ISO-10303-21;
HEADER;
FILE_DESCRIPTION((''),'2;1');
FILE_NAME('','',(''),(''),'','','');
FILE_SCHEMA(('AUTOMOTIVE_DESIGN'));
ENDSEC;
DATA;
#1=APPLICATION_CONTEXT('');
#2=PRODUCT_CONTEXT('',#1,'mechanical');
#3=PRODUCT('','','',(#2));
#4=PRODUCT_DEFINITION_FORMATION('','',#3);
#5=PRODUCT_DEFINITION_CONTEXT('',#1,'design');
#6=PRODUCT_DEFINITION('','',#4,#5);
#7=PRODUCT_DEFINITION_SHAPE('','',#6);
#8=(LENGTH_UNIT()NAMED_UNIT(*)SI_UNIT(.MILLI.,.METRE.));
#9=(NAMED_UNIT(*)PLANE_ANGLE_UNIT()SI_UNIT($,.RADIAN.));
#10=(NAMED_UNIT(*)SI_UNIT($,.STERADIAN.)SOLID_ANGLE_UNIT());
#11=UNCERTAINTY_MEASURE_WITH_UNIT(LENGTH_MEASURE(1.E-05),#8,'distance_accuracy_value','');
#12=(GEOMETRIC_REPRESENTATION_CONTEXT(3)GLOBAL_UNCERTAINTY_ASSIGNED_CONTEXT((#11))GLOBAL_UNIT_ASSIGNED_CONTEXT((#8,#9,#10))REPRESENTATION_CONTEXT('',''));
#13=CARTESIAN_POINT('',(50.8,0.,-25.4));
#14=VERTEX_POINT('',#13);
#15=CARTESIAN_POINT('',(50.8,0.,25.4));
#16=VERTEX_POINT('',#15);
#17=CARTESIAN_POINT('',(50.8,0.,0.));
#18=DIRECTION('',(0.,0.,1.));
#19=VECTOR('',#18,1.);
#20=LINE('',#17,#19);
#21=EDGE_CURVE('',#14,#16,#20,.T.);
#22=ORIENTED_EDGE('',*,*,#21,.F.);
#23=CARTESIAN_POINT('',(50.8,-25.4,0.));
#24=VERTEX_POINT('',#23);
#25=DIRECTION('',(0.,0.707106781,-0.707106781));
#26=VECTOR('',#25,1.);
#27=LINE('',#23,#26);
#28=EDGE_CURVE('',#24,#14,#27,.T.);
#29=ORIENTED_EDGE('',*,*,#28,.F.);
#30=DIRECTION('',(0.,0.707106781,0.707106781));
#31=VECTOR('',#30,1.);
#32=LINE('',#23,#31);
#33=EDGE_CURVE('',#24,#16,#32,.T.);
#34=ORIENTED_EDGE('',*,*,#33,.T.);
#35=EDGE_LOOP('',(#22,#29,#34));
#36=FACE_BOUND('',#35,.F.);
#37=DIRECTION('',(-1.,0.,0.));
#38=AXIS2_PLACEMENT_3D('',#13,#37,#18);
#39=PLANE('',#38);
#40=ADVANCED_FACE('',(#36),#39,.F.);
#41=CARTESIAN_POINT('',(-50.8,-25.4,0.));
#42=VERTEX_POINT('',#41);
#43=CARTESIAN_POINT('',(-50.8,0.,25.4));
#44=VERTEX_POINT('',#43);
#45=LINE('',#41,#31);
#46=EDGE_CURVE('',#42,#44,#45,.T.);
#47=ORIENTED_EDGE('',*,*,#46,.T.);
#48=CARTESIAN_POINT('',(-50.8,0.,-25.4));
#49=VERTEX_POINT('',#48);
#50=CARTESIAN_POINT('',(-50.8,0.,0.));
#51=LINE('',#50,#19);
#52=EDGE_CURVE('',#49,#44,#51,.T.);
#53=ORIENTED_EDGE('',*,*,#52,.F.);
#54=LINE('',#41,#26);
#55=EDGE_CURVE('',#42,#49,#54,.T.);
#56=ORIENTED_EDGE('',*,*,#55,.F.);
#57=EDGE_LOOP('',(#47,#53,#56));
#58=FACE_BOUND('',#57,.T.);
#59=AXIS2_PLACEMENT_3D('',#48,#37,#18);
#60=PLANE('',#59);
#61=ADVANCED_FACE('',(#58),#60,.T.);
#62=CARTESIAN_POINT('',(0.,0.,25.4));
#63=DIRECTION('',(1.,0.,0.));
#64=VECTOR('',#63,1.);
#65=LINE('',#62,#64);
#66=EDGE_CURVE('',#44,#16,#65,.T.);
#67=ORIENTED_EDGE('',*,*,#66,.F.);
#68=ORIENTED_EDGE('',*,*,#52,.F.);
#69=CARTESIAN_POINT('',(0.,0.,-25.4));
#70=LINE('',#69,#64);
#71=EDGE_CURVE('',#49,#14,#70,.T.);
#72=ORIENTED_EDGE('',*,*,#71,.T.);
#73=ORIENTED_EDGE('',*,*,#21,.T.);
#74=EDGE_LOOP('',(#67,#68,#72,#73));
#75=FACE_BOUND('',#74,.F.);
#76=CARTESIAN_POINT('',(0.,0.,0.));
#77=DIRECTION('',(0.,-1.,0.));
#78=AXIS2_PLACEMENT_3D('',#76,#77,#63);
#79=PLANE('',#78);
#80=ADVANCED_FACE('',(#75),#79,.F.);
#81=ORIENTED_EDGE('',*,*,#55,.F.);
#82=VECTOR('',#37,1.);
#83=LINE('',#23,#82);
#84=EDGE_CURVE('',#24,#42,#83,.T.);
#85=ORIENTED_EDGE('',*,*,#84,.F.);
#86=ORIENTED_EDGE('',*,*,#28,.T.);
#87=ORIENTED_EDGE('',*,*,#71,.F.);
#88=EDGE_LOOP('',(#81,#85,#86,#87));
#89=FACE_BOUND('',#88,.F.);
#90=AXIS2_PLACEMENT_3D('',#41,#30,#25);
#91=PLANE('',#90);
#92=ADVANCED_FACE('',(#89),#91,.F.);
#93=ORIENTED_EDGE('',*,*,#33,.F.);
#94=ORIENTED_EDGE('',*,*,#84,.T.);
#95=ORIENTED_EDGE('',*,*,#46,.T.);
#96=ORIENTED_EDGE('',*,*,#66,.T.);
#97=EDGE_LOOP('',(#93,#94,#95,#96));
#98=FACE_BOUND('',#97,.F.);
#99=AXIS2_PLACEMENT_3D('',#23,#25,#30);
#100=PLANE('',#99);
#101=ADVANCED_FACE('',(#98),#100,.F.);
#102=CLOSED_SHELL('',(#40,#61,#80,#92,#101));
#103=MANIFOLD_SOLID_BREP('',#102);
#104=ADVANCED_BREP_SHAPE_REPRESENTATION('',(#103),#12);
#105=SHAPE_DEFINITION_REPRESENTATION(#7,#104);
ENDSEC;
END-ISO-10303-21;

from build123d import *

# Parameters (mm, degrees)
F0_W     = 101.6
F0_H     = 50.8
F1_DEPTH = 25.4
F4_DEPTH = 101.6
F5_DEPTH = 101.6


with BuildPart() as f1:
    # F0 (on Front) → F1 (new body)
    with BuildSketch(Plane.XZ):
        Rectangle(F0_W, F0_H)
    extrude(amount=F1_DEPTH)

    # F2 (on face) → F4 (cut)
    with BuildSketch(Plane.YZ.offset(50.8)):
        Polygon((-25.4, 25.4), (-25.4, 0), (0, 25.4), align=None)
    extrude(amount=-F4_DEPTH, mode=Mode.SUBTRACT)

    # F3 (on face) → F5 (cut)
    with BuildSketch(Plane(origin=(-50.8, 0, 0), x_dir=(0, -1, 0), z_dir=(-1, 0, 0))):
        Polygon((25.4, -25.4), (25.4, 0), (0, -25.4), align=None)
    extrude(amount=-F5_DEPTH, mode=Mode.SUBTRACT)


solid = f1.part
